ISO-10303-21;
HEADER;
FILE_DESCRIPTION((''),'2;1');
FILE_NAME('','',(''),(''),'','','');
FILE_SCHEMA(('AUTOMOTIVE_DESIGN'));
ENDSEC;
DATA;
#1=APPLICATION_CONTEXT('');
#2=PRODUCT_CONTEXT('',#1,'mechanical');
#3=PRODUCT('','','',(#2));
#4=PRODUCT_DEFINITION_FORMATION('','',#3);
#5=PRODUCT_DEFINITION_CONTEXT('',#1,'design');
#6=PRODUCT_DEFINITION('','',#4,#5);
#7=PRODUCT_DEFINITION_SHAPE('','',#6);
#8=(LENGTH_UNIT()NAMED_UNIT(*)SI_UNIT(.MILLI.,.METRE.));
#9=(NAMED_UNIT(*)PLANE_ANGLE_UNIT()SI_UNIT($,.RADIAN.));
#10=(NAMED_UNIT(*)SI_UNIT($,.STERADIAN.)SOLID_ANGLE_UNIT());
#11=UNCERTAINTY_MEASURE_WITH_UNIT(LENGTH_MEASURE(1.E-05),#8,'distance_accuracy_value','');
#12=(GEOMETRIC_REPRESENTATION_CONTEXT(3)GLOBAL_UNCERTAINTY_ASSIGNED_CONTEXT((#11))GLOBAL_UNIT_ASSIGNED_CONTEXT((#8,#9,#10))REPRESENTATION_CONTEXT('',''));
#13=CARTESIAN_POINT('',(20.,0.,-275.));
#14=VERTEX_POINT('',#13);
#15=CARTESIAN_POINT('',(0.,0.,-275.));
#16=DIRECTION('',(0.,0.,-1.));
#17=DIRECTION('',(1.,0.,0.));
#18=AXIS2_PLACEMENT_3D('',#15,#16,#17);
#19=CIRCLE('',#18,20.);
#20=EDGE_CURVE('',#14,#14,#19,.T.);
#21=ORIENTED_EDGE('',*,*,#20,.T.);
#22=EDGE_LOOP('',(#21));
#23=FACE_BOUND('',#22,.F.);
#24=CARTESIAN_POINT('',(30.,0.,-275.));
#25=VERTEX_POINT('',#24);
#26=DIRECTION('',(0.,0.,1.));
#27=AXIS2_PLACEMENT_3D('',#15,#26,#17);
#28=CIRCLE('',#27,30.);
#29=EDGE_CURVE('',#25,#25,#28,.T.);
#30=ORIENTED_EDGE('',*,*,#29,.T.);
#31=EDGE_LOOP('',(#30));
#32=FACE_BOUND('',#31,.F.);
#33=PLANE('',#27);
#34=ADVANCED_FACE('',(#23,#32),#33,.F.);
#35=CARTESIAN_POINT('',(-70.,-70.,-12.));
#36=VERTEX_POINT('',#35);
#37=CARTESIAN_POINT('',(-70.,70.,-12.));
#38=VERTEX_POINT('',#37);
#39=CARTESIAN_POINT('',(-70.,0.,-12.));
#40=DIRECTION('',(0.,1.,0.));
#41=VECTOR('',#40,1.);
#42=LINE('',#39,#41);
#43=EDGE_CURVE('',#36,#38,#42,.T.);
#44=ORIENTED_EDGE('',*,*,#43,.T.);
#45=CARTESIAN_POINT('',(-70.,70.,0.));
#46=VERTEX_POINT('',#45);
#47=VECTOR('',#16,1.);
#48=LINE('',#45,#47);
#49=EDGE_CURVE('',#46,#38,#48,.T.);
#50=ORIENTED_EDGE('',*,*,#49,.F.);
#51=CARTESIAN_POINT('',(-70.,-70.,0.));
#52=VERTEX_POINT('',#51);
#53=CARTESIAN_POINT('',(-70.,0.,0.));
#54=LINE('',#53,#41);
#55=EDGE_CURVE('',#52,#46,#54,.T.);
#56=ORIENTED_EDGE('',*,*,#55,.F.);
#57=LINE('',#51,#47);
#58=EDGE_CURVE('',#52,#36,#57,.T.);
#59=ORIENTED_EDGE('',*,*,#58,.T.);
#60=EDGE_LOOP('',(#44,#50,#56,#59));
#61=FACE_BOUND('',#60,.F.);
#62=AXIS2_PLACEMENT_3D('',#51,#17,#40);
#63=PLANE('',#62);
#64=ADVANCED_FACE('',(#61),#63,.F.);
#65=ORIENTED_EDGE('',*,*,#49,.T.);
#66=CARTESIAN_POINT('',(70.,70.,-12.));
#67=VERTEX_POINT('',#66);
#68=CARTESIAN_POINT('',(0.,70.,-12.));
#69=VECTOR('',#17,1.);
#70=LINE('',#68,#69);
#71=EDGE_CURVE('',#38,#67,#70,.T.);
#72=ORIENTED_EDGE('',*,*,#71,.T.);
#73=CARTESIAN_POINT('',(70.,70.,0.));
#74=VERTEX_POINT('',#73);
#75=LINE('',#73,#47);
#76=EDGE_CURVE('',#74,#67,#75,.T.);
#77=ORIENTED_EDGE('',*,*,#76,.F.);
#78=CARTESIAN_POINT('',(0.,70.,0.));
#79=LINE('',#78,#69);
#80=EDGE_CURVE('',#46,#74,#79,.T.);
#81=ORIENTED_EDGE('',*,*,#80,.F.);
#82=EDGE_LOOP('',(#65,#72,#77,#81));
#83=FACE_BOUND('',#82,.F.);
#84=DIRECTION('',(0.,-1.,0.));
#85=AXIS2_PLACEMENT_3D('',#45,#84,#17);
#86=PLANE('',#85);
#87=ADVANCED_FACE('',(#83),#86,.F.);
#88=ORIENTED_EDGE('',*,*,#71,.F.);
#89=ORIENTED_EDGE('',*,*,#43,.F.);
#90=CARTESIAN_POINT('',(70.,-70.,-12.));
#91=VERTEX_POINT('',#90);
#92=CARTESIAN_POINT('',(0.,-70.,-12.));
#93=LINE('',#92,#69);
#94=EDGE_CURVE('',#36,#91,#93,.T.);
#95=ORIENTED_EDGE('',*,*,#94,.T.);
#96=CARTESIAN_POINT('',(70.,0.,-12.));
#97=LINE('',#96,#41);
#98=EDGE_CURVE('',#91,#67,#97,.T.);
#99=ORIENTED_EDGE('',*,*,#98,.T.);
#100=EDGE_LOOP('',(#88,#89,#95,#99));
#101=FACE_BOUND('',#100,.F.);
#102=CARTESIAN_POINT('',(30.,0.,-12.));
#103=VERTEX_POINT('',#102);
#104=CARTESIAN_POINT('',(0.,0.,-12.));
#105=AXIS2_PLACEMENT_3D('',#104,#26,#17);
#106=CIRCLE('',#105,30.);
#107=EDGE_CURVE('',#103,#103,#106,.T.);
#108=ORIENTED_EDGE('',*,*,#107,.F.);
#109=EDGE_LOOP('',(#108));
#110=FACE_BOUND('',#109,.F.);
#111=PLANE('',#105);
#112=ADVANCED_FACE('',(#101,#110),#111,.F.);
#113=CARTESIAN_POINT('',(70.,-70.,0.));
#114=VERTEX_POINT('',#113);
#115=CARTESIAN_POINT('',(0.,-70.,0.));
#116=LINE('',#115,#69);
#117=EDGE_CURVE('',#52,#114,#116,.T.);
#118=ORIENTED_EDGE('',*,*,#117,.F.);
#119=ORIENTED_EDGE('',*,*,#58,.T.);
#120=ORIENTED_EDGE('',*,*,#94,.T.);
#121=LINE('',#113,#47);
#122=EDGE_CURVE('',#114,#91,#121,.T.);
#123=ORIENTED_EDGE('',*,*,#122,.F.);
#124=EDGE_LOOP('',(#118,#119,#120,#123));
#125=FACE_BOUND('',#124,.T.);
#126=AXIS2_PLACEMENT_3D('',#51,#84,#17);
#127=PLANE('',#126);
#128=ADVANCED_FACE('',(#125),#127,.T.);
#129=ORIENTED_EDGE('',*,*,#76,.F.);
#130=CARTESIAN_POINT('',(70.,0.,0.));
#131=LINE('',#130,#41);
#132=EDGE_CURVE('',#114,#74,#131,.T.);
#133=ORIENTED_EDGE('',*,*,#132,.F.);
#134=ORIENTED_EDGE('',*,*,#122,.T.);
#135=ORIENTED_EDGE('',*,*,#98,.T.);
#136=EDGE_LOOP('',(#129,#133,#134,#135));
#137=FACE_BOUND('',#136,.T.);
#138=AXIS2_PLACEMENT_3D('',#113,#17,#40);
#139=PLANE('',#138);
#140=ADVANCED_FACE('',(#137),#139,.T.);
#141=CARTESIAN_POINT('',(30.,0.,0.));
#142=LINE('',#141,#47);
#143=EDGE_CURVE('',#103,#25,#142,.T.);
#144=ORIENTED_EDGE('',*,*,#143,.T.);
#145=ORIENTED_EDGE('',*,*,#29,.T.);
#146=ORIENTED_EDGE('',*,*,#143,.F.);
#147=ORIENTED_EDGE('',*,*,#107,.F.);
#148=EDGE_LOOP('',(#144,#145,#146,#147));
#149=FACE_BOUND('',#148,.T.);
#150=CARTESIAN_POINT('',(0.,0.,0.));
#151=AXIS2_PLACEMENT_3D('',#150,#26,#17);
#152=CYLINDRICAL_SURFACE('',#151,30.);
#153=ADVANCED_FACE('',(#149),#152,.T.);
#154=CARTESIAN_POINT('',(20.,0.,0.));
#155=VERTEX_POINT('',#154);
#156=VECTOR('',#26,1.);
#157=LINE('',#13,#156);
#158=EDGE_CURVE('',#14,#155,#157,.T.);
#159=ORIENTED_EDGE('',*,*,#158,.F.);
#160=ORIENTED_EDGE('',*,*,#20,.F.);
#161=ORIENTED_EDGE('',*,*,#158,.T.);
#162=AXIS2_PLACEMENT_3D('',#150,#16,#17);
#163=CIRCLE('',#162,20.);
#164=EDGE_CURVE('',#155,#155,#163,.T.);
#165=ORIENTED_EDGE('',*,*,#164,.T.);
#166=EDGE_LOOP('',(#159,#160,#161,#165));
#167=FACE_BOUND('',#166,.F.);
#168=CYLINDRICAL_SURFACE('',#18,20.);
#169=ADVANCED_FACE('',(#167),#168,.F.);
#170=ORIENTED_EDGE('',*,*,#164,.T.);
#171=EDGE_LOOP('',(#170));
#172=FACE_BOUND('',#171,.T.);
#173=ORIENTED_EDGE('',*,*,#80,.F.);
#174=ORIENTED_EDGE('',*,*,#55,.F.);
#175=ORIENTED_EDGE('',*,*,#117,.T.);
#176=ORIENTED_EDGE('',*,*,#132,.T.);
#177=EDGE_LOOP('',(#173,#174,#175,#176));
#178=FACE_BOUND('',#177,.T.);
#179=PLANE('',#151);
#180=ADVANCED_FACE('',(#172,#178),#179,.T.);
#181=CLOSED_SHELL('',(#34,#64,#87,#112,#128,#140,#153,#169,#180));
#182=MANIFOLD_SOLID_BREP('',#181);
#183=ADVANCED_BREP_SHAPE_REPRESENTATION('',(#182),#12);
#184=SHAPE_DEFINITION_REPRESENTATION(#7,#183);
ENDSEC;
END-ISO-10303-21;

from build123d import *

# Parameters (mm, degrees)
F0_W     = 140
F0_H     = 140
F1_DEPTH = 12
F2_R     = 30
F3_DEPTH = 275
F4_R     = 20
F5_DEPTH = 275.001


with BuildPart() as f1:
    # F0 (on Top) → F1 (new body)
    with BuildSketch(Plane.XY):
        Rectangle(F0_W, F0_H)
    extrude(amount=-F1_DEPTH)

    # F2 (on face) → F3 (join)
    with BuildSketch(Plane.XY):
        Circle(F2_R)
    extrude(amount=-F3_DEPTH)

    # F4 (on face) → F5 (cut, through all)
    with BuildSketch(Plane(origin=(0, 0, -275), x_dir=(1, 0, 0), z_dir=(0, 0, -1))):
        Circle(F4_R)
    extrude(amount=-F5_DEPTH, mode=Mode.SUBTRACT)


solid = f1.part
